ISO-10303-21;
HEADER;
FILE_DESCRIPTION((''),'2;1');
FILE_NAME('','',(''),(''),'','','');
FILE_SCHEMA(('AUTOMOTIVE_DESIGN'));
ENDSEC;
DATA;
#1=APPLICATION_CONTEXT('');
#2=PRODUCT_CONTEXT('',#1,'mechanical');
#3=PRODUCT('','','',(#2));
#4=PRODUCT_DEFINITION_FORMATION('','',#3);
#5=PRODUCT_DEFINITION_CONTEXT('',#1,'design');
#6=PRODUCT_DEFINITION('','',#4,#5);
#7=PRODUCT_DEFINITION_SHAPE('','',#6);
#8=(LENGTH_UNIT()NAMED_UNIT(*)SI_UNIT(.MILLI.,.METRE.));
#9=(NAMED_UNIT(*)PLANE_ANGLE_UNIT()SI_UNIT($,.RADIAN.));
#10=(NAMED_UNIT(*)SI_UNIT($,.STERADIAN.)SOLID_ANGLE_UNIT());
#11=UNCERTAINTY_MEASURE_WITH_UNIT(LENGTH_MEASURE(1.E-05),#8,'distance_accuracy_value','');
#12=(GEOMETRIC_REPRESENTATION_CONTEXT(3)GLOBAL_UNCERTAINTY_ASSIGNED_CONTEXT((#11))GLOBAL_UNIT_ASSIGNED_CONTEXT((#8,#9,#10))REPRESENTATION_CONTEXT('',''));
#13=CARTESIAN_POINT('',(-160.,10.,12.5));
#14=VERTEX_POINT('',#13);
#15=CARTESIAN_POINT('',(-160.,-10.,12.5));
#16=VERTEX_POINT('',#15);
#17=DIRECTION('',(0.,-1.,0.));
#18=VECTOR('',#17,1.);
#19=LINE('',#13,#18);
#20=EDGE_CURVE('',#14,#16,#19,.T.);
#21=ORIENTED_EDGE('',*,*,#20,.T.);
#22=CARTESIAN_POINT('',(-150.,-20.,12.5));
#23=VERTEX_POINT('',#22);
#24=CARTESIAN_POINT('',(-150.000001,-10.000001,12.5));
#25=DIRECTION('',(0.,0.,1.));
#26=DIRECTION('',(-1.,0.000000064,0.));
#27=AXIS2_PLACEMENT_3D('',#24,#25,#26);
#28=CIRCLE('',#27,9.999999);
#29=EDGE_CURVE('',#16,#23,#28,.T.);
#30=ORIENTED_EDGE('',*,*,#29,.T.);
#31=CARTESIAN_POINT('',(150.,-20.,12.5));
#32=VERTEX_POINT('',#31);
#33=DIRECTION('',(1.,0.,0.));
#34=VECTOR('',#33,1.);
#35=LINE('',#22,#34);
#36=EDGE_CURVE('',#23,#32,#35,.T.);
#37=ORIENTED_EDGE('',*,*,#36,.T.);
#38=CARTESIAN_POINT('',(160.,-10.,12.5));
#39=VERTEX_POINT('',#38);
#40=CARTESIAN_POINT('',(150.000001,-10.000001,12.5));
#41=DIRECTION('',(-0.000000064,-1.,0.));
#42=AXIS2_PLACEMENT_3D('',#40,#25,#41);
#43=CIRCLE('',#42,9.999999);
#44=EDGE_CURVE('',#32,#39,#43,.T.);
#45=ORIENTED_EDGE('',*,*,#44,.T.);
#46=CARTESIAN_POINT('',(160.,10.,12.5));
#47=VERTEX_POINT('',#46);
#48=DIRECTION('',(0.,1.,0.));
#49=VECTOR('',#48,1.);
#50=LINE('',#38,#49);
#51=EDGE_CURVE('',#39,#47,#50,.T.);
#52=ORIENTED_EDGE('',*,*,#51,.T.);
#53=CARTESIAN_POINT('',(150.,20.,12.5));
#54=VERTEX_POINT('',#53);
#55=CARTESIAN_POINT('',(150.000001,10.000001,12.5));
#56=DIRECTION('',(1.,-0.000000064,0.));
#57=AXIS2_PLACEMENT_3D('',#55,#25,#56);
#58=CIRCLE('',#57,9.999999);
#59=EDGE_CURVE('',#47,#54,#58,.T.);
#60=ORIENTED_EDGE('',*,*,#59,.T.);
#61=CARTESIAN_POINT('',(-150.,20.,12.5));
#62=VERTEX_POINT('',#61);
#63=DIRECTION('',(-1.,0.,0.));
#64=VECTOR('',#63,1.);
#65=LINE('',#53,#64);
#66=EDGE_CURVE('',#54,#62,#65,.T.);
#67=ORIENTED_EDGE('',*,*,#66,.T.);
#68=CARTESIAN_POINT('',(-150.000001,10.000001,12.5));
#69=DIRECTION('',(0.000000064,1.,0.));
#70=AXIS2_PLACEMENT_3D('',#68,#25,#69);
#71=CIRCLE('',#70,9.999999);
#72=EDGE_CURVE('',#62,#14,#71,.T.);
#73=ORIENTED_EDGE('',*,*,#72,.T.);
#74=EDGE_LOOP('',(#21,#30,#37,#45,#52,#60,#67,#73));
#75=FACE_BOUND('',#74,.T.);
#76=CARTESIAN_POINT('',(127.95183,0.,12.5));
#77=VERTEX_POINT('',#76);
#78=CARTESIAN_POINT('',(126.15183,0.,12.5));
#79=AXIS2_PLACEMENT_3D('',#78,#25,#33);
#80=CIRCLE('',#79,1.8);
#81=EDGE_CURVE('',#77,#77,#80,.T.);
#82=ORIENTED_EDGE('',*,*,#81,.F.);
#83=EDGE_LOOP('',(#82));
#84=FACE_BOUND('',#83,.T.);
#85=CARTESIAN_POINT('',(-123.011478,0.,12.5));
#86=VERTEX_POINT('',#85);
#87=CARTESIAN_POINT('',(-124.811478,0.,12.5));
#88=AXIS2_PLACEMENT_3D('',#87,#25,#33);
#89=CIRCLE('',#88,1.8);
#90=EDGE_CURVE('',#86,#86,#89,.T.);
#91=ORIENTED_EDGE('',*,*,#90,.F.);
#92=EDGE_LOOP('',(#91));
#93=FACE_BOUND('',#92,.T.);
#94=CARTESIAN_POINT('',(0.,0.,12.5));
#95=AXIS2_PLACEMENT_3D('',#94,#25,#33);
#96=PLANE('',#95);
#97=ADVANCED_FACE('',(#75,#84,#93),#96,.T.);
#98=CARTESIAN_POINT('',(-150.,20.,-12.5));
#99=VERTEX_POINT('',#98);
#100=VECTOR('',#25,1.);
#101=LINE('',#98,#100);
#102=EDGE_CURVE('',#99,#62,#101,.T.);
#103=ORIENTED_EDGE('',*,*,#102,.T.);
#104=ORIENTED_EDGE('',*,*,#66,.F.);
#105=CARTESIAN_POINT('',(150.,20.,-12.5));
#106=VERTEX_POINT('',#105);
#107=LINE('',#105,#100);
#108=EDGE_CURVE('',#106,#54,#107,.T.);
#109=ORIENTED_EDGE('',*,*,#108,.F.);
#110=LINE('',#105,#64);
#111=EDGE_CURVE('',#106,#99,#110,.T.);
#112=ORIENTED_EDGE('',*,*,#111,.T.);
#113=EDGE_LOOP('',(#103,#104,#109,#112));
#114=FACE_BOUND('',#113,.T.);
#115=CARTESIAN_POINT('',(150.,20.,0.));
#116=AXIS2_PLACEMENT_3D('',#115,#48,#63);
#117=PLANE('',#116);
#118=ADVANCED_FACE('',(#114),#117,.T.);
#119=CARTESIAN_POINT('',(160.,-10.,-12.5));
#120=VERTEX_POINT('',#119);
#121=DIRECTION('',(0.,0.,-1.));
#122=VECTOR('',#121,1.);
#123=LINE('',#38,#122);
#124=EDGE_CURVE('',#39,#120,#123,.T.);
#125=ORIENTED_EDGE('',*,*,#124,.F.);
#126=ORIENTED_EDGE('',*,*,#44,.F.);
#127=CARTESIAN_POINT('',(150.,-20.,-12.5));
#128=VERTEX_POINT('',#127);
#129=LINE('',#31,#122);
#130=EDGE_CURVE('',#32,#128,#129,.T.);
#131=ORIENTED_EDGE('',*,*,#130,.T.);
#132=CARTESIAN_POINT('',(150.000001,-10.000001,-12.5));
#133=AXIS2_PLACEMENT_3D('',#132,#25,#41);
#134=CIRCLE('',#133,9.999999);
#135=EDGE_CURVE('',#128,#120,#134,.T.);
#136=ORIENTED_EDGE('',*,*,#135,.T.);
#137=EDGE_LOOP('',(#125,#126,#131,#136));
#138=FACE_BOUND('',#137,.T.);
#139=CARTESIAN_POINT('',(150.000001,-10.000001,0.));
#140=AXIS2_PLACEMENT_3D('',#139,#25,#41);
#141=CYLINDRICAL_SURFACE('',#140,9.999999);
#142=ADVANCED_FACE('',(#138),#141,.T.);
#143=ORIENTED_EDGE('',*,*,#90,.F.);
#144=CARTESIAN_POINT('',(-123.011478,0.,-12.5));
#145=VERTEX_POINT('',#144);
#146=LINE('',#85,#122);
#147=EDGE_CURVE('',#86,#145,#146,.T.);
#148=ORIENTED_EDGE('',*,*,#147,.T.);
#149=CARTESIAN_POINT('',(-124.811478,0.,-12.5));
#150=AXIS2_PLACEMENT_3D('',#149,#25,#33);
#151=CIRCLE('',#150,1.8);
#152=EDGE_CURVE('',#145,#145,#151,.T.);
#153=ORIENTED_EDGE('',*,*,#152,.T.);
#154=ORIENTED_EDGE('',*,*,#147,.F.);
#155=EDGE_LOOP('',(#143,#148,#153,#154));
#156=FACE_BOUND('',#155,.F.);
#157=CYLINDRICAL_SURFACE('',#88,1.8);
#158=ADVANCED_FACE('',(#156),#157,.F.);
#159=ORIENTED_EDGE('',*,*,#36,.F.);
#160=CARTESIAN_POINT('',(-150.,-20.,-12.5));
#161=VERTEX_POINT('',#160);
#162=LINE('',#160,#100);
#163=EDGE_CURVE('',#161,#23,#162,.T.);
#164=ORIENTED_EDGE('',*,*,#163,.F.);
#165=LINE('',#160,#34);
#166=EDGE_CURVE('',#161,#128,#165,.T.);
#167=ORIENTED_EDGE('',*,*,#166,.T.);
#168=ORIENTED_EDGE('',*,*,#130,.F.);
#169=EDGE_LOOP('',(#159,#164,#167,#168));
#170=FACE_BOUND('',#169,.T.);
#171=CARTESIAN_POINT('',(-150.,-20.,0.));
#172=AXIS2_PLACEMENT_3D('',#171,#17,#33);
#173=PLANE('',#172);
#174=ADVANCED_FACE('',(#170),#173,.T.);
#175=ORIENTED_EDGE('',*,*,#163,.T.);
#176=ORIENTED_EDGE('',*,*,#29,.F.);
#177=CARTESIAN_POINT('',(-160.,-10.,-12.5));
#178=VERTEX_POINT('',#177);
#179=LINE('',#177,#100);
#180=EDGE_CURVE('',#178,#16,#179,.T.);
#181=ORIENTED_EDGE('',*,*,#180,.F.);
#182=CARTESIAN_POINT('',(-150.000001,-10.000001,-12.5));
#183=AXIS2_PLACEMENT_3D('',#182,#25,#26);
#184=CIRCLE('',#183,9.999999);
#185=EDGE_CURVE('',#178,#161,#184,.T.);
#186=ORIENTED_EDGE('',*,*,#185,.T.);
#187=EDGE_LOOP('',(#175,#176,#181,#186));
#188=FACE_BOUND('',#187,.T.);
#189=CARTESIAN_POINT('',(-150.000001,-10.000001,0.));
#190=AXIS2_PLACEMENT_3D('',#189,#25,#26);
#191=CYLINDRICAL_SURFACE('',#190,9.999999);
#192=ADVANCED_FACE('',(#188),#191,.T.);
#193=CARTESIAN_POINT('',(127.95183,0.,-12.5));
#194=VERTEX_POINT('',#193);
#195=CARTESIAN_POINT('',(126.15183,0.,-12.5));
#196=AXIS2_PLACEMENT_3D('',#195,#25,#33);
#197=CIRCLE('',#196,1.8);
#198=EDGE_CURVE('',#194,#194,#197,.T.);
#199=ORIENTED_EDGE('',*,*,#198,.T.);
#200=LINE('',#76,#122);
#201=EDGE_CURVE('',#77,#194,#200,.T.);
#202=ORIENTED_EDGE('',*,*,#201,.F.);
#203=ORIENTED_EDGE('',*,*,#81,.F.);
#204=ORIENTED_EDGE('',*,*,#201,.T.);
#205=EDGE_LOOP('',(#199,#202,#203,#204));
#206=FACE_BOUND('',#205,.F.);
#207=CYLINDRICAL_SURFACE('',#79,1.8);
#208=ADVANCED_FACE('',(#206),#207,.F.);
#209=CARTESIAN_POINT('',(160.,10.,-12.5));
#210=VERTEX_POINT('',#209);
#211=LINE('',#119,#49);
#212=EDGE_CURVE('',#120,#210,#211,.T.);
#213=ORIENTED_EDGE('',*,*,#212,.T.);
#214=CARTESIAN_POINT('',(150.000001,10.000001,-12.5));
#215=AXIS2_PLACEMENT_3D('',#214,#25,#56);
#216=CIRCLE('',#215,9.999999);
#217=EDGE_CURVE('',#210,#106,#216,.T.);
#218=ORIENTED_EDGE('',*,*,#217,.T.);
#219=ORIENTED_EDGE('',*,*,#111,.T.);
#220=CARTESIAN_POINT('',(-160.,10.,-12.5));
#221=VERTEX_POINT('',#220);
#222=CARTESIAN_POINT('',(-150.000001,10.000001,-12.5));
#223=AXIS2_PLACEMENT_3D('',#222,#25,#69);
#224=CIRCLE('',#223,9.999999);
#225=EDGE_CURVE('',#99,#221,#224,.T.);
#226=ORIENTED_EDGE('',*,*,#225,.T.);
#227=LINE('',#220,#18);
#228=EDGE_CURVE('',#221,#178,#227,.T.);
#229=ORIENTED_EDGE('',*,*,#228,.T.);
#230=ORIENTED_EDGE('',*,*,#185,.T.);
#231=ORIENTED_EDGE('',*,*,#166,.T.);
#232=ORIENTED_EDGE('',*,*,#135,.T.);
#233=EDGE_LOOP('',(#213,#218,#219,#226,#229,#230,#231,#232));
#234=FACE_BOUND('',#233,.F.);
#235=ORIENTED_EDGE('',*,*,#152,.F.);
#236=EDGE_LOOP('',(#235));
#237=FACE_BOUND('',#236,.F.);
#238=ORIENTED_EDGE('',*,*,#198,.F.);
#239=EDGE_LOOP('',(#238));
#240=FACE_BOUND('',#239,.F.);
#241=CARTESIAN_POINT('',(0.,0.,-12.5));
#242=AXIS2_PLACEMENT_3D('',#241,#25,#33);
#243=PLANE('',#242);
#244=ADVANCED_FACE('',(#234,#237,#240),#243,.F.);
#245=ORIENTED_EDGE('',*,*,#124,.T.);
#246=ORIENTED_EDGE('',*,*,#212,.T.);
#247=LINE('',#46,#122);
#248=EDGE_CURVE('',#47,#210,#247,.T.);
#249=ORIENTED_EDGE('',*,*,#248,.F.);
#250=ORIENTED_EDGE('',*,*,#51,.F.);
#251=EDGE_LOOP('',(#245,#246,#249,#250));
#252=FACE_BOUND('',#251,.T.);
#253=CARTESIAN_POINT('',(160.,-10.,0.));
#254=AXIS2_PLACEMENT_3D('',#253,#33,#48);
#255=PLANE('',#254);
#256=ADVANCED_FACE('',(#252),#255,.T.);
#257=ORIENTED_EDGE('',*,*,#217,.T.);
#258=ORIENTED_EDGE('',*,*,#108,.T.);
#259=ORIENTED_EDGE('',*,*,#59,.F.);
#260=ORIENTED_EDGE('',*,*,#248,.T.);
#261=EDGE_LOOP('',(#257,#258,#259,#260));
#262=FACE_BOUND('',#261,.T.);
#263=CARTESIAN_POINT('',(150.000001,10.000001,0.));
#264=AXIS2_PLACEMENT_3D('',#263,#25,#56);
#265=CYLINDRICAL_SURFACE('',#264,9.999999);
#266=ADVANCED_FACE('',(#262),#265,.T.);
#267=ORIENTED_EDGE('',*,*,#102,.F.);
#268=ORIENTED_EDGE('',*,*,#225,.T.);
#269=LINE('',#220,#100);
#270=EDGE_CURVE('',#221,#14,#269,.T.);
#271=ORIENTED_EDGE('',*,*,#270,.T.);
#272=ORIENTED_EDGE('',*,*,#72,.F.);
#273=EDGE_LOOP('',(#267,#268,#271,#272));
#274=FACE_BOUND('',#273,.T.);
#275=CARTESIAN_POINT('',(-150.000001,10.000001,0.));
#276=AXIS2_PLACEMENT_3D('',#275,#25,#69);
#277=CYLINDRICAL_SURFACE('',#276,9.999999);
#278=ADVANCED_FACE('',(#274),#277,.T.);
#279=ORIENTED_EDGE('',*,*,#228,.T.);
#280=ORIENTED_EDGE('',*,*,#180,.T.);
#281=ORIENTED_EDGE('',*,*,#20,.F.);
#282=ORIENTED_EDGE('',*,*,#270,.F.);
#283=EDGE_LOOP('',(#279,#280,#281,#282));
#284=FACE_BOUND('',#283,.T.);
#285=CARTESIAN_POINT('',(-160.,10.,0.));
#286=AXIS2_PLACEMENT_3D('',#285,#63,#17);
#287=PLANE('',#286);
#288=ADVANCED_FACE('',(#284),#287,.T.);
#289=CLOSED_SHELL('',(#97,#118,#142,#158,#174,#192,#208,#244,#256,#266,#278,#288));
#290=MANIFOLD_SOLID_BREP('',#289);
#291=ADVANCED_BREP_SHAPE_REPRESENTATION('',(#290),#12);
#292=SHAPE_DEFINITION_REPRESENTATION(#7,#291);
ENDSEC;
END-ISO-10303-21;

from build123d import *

# Parameters (mm, degrees)
F1_DEPTH = 12.5
F2_R     = 1.8
F3_DEPTH = 26
F4_R     = 1.8
F5_DEPTH = 26


with BuildPart() as f1:
    # F0 (on Top) → F1 (new body, symmetric)
    with BuildSketch(Plane.XY):
        with BuildLine():
            ThreePointArc((160, 10), (157.071068, 17.071068), (150, 20))
            Line((150, 20), (-150, 20))
            ThreePointArc((-150, 20), (-157.071068, 17.071068), (-160, 10))
            Line((-160, 10), (-160, -10))
            ThreePointArc((-160, -10), (-157.071068, -17.071068), (-150, -20))
            Line((-150, -20), (150, -20))
            ThreePointArc((150, -20), (157.071068, -17.071068), (160, -10))
            Line((160, -10), (160, 10))
        make_face()
    extrude(amount=F1_DEPTH, both=True)

    # F2 (on face) → F3 (cut)
    with BuildSketch(Plane.XY.offset(12.5)):
        with Locations((-124.811478, 0)):
            Circle(F2_R)
    extrude(amount=-F3_DEPTH, mode=Mode.SUBTRACT)

    # F4 (on face) → F5 (cut)
    with BuildSketch(Plane.XY.offset(12.5)):
        with Locations((126.15183, 0)):
            Circle(F4_R)
    extrude(amount=-F5_DEPTH, mode=Mode.SUBTRACT)


solid = f1.part
